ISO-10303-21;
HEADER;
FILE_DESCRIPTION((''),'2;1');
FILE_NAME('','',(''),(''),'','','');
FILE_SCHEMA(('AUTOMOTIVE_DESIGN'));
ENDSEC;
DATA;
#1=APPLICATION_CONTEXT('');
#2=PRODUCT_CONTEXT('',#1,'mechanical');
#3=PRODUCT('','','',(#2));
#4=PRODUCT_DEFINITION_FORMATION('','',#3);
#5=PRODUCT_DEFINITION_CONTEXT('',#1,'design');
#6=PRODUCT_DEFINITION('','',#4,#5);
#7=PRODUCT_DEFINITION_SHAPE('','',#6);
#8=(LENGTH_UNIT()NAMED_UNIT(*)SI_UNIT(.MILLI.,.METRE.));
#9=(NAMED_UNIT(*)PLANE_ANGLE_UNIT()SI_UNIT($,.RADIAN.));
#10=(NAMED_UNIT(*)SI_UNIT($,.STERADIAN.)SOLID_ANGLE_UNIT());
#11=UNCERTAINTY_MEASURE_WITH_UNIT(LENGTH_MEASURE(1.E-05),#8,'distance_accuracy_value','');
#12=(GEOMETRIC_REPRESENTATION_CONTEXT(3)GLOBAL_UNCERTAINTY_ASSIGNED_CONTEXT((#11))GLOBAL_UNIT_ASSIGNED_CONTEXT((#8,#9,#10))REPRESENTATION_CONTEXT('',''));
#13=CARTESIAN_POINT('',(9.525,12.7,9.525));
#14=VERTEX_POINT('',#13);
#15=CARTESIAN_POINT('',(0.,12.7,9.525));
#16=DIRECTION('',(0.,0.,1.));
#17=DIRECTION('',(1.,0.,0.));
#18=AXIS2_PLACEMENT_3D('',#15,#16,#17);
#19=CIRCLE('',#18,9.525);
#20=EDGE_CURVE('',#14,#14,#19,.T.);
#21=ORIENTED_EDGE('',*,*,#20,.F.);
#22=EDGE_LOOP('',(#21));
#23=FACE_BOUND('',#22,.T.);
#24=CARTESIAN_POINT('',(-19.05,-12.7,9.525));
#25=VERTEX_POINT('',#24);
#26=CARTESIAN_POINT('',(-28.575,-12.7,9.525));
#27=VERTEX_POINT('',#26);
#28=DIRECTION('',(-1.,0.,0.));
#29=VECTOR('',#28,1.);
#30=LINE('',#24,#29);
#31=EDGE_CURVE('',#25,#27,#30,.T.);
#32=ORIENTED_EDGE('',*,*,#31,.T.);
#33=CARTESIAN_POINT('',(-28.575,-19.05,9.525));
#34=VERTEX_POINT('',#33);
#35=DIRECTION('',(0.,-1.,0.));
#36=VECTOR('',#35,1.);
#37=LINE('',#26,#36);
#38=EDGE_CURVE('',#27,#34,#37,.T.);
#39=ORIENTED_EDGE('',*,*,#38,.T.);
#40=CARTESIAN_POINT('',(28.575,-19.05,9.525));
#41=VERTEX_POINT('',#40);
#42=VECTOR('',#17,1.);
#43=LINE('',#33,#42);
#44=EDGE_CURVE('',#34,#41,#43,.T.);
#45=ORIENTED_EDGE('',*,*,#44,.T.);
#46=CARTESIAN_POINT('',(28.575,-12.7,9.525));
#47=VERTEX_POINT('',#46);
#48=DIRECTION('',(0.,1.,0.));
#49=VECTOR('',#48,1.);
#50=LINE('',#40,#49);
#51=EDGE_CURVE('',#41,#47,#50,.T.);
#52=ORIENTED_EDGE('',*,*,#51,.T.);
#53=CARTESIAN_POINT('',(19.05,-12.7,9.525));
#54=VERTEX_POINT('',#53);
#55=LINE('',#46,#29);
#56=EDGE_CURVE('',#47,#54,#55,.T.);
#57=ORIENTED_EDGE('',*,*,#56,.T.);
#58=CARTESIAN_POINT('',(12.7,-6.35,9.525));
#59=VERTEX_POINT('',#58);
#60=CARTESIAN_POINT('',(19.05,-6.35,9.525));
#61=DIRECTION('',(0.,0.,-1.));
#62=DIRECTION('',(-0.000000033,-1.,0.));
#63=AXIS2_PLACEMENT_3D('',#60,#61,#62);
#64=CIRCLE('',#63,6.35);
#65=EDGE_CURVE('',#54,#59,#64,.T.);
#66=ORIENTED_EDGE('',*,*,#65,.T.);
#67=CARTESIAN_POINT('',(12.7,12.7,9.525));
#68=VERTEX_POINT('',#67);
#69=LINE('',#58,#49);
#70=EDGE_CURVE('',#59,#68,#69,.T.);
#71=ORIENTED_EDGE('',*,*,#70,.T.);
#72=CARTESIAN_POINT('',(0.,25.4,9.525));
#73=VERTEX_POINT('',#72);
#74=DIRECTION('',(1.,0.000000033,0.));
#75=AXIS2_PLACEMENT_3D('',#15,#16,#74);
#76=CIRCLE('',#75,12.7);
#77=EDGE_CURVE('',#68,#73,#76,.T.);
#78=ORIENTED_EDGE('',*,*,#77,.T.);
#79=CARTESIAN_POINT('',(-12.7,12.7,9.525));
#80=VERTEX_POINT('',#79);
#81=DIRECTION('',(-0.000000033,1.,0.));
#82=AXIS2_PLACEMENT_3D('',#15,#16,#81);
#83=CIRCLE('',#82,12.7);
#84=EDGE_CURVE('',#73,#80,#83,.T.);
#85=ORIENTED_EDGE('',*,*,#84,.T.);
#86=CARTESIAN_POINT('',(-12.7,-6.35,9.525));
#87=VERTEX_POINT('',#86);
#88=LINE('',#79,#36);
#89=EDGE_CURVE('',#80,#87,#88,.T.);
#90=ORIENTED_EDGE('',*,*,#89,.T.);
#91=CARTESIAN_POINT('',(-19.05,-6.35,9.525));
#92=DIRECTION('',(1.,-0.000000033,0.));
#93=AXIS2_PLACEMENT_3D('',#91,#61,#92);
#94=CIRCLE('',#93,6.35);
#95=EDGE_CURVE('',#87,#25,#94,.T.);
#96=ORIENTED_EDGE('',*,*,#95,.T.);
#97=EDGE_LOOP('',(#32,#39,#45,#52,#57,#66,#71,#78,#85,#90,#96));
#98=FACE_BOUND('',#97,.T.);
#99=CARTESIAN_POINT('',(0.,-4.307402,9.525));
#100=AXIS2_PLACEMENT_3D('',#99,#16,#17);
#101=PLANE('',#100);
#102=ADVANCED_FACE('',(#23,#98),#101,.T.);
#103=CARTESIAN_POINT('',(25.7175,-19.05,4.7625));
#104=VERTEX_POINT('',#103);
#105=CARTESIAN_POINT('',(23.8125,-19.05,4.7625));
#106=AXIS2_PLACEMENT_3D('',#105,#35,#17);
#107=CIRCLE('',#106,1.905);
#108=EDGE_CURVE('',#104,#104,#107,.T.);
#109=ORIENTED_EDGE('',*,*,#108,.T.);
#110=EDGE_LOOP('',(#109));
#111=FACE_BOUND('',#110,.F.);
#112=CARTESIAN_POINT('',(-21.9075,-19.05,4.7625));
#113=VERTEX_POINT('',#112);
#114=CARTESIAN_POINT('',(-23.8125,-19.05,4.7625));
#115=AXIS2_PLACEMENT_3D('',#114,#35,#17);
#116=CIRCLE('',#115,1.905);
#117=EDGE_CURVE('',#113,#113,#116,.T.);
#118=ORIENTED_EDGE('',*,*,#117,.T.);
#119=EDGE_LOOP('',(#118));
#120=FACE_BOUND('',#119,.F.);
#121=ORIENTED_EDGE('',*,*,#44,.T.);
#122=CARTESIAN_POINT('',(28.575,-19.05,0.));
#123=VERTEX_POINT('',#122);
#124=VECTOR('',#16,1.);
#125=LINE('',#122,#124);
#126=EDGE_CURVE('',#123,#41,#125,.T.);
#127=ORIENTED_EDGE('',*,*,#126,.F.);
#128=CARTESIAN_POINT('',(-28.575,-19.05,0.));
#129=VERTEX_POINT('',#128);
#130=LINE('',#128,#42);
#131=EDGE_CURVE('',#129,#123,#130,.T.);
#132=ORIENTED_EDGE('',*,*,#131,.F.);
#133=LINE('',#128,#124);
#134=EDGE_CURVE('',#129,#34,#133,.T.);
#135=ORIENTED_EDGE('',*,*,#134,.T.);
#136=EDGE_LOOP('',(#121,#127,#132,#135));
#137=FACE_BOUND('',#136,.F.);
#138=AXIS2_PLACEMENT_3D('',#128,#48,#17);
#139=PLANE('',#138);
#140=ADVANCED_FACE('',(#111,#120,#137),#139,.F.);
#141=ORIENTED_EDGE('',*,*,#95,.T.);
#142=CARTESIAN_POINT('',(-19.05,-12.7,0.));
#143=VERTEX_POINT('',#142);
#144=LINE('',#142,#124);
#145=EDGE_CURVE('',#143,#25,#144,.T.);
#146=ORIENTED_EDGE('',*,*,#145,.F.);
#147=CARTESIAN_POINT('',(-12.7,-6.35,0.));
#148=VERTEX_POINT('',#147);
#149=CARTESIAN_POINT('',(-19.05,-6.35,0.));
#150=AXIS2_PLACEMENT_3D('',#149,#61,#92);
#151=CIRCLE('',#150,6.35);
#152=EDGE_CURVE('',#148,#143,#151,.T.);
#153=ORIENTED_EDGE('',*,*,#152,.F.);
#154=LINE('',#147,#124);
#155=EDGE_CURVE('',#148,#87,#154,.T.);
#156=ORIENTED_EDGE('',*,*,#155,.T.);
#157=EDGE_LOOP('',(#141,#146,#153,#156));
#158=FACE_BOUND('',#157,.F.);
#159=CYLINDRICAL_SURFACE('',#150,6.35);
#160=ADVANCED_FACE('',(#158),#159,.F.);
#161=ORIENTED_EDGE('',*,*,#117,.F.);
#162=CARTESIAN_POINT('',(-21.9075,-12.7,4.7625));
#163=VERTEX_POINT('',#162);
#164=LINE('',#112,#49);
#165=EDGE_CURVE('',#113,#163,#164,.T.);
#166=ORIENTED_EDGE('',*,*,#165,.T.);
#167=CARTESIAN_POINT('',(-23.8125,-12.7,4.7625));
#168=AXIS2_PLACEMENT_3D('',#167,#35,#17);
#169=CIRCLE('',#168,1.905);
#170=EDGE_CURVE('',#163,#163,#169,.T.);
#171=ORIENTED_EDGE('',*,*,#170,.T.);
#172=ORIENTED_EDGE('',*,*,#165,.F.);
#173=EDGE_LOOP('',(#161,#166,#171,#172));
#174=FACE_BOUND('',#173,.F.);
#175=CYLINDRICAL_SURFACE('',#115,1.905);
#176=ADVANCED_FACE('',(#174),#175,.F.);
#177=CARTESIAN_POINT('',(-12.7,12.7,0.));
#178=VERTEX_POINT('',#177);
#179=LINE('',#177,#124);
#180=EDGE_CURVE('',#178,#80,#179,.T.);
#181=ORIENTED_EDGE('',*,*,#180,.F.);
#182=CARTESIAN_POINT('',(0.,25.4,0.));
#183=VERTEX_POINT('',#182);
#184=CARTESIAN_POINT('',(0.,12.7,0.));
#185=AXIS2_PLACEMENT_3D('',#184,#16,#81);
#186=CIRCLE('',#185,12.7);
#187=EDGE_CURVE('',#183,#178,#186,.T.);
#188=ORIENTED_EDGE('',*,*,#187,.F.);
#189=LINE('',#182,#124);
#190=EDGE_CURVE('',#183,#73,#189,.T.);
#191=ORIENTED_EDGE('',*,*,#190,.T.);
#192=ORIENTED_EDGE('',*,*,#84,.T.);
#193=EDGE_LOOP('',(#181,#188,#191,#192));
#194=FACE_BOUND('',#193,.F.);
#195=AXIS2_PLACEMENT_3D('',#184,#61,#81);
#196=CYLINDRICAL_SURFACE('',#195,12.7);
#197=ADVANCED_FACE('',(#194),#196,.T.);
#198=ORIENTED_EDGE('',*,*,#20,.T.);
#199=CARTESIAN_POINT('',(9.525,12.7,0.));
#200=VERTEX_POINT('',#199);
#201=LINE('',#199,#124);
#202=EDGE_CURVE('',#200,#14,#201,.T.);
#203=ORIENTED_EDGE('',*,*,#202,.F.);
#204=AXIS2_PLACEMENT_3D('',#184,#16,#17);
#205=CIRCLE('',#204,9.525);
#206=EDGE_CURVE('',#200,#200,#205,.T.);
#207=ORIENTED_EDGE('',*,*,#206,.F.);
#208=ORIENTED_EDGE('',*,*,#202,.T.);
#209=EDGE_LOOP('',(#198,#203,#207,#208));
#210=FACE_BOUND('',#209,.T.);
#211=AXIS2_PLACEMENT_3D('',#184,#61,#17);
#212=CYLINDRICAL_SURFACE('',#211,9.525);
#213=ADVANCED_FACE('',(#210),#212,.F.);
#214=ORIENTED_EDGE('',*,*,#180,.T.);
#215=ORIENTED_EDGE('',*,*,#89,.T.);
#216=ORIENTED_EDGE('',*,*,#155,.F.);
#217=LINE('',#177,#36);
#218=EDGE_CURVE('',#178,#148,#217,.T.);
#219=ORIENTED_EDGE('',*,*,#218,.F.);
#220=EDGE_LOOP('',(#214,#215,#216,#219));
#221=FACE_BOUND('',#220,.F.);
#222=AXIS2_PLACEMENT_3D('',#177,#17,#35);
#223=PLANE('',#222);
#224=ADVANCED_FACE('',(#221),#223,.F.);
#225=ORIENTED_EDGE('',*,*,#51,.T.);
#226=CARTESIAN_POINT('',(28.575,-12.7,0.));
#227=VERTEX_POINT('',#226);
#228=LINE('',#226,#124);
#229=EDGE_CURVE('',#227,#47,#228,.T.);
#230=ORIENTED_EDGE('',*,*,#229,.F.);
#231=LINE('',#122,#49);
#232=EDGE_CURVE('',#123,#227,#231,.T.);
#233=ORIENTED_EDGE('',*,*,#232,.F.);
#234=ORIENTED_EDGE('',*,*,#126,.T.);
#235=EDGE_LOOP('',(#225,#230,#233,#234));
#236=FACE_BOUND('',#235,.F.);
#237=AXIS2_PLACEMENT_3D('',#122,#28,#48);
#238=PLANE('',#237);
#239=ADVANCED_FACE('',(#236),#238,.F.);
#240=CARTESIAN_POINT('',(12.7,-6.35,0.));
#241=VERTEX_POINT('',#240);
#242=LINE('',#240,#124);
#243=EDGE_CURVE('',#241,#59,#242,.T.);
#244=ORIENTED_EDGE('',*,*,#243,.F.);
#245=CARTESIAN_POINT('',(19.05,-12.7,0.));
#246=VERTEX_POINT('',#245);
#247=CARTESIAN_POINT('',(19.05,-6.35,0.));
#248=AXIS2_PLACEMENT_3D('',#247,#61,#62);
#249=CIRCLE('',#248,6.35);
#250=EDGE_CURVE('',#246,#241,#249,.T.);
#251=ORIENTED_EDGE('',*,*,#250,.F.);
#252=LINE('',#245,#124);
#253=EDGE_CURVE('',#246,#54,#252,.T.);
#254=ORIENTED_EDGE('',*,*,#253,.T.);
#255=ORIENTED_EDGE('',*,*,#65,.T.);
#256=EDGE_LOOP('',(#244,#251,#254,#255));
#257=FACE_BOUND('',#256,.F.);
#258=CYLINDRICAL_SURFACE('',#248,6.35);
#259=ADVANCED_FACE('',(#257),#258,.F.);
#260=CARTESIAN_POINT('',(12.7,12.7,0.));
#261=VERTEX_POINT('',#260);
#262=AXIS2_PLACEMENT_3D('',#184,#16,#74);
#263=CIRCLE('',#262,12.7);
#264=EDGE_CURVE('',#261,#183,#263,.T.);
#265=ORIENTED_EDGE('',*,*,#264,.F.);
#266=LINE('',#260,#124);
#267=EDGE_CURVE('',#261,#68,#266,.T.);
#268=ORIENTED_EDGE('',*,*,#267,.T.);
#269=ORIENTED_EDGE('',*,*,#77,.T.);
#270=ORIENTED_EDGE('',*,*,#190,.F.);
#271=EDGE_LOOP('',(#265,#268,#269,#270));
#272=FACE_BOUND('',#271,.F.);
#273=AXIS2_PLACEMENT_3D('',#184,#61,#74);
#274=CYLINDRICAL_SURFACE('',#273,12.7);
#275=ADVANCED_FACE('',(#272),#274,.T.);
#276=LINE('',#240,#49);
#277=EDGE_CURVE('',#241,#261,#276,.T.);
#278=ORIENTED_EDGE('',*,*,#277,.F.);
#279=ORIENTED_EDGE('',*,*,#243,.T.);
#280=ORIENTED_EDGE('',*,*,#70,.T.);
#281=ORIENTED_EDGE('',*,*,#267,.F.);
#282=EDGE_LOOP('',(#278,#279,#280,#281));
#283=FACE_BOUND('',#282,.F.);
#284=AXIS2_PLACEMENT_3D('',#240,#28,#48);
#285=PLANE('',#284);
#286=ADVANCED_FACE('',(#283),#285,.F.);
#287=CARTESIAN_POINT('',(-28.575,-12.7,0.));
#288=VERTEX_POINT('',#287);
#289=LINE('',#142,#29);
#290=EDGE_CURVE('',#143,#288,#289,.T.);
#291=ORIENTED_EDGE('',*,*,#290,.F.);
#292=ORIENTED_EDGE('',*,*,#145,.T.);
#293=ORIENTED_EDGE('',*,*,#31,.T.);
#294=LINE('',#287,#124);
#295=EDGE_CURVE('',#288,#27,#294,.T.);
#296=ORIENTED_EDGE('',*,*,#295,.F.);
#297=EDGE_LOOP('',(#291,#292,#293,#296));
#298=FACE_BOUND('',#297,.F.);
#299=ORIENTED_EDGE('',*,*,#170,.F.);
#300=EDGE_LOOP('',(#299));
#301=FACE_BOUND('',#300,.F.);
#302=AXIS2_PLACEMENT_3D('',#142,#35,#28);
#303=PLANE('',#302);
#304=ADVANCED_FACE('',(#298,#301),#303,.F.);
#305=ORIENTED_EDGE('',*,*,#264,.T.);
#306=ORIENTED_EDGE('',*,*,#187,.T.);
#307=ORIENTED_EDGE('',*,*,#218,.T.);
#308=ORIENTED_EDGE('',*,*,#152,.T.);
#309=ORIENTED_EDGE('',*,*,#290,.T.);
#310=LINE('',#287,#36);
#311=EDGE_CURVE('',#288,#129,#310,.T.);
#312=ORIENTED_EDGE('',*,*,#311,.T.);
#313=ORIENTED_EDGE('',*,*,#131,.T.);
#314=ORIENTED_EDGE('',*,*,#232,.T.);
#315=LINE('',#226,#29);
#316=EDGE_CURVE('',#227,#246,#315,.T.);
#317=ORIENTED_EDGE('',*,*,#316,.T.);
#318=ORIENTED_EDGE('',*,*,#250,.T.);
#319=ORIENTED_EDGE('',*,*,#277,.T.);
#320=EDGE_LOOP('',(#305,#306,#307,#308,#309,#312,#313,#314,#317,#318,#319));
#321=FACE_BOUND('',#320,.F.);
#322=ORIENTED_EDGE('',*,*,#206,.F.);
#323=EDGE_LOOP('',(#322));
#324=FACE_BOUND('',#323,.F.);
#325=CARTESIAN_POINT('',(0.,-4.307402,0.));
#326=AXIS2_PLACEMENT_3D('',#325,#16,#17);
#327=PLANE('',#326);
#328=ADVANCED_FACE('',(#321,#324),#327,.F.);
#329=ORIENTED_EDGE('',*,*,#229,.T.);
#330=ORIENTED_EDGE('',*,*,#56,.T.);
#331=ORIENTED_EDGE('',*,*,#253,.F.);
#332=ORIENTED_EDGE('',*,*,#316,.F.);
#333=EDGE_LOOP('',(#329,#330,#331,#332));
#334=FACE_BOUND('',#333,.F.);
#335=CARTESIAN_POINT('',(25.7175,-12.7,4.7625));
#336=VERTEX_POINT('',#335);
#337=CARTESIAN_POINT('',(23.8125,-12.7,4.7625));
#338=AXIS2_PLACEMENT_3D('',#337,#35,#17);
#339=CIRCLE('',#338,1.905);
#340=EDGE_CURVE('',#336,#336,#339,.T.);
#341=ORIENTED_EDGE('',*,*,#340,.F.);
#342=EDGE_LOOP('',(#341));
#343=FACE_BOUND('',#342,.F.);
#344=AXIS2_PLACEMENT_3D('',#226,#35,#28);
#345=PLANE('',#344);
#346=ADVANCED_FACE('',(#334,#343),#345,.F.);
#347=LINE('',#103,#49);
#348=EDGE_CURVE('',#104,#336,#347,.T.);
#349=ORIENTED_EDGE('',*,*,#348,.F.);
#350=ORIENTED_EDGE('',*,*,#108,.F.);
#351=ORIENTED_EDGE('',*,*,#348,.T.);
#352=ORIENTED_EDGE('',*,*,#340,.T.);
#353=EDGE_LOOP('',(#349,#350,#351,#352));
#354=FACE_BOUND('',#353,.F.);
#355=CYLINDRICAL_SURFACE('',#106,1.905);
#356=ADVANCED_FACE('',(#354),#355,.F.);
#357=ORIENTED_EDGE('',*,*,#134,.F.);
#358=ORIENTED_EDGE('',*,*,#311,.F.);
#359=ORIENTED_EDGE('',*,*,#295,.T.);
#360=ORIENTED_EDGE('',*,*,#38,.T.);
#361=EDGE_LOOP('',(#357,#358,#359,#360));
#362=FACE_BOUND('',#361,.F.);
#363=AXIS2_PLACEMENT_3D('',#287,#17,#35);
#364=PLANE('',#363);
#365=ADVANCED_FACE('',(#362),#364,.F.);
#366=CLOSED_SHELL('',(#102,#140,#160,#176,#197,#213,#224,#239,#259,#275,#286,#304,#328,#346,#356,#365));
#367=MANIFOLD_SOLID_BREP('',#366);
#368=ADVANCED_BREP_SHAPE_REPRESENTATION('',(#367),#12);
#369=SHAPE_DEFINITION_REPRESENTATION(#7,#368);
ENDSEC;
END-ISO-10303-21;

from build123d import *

# Parameters (mm, degrees)
F0_R     = 9.525
F1_DEPTH = 9.525
F2_R     = 1.905
F3_DEPTH = 25.4


with BuildPart() as f1:
    # F0 (on Top) → F1 (new body)
    with BuildSketch(Plane.XY):
        with BuildLine():
            Line((-28.575, -12.7), (-28.575, -19.05))
            Line((-28.575, -19.05), (0, -19.05))
            Line((0, -19.05), (28.575, -19.05))
            Line((28.575, -19.05), (28.575, -12.7))
            Line((28.575, -12.7), (19.05, -12.7))
            ThreePointArc((19.05, -12.7), (14.559872, -10.840128), (12.7, -6.35))
            Line((12.7, -6.35), (12.7, 12.7))
            ThreePointArc((12.7, 12.7), (8.980256, 21.680256), (0, 25.4))
            ThreePointArc((0, 25.4), (-8.980256, 21.680256), (-12.7, 12.7))
            Line((-12.7, 12.7), (-12.7, -6.35))
            ThreePointArc((-12.7, -6.35), (-14.559872, -10.840128), (-19.05, -12.7))
            Line((-19.05, -12.7), (-28.575, -12.7))
        make_face()
        with Locations((0, 12.7)):
            Circle(F0_R, mode=Mode.SUBTRACT)
    extrude(amount=F1_DEPTH)

    # F2 (on face) → F3 (cut)
    with BuildSketch(Plane.XZ.offset(19.05)):
        with Locations((-23.8125, 4.7625)):
            Circle(F2_R)
        with Locations((23.8125, 4.7625)):
            Circle(F2_R)
    extrude(amount=-F3_DEPTH, mode=Mode.SUBTRACT)


solid = f1.part
